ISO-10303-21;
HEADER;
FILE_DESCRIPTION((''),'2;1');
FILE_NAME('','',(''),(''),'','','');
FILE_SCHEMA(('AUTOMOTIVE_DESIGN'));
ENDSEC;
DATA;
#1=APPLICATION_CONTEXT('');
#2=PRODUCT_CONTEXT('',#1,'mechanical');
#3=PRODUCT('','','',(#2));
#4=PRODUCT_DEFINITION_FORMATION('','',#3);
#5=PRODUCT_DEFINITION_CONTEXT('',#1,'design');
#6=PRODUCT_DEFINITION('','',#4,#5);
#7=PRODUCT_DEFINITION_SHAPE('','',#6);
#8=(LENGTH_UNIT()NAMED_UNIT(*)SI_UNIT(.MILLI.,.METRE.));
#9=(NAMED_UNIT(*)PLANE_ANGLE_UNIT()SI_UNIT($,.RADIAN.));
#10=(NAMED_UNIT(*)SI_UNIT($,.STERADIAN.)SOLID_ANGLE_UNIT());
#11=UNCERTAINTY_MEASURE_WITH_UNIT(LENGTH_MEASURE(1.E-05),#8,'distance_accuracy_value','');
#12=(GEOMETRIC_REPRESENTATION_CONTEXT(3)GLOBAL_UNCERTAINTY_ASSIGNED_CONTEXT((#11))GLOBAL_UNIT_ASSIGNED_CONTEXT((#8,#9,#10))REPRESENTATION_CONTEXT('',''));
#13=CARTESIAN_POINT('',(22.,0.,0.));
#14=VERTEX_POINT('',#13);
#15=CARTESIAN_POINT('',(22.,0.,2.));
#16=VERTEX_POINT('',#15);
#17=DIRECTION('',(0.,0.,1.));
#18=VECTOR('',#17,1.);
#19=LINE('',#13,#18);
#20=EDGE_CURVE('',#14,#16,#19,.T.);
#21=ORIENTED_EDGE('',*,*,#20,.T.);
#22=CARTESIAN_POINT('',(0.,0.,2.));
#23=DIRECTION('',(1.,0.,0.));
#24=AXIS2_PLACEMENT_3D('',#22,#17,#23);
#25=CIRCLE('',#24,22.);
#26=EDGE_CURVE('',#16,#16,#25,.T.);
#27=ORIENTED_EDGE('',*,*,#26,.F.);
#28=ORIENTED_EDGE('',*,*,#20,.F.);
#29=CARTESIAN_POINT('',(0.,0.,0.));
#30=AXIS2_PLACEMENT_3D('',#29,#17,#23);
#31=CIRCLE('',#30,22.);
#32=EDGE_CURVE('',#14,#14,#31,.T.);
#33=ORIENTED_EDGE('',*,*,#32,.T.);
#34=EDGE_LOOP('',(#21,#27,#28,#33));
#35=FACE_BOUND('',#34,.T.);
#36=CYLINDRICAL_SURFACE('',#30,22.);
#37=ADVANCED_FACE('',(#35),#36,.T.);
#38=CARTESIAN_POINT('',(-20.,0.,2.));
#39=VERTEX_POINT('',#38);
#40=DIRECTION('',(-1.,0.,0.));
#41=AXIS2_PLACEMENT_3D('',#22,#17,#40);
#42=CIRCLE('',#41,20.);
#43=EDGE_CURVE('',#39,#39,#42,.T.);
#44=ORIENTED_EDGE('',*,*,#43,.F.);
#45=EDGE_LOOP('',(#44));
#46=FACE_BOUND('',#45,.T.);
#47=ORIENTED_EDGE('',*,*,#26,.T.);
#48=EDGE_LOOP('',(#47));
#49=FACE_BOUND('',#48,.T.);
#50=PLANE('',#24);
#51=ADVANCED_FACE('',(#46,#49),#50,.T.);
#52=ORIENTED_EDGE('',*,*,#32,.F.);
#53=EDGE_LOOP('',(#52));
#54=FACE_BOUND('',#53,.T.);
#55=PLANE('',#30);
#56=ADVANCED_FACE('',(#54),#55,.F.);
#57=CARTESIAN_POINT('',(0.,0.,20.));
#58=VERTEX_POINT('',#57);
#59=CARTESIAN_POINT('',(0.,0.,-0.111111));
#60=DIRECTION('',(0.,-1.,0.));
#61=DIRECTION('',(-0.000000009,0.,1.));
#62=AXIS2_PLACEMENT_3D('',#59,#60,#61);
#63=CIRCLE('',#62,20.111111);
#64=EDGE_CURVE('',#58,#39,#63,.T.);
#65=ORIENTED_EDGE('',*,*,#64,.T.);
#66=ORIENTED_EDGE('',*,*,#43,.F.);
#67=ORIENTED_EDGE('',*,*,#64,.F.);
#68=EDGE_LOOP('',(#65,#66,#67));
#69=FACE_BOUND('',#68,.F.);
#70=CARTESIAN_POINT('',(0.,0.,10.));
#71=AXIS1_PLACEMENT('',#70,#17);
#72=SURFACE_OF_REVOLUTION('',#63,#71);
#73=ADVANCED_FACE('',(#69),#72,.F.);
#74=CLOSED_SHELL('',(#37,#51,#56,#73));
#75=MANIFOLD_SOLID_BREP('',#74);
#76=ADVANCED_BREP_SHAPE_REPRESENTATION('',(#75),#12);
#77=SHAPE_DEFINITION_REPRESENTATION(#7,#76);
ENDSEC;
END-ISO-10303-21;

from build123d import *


with BuildPart() as f1:
    # F0 (on Front) → F1 (revolve)
    with BuildSketch(Plane.XZ):
        with BuildLine():
            Line((-20, 2), (0, 2))
            Line((0, 2), (0, 20))
            ThreePointArc((0, 20), (-13.453624, 14.83736), (-20, 2))
        make_face()
        Polygon((0, 2), (0, 0), (22, 0), (22, 2), (20, 2), align=None)
    revolve(axis=Axis((0, 0, 10), (0, 0, 1)))


solid = f1.part
